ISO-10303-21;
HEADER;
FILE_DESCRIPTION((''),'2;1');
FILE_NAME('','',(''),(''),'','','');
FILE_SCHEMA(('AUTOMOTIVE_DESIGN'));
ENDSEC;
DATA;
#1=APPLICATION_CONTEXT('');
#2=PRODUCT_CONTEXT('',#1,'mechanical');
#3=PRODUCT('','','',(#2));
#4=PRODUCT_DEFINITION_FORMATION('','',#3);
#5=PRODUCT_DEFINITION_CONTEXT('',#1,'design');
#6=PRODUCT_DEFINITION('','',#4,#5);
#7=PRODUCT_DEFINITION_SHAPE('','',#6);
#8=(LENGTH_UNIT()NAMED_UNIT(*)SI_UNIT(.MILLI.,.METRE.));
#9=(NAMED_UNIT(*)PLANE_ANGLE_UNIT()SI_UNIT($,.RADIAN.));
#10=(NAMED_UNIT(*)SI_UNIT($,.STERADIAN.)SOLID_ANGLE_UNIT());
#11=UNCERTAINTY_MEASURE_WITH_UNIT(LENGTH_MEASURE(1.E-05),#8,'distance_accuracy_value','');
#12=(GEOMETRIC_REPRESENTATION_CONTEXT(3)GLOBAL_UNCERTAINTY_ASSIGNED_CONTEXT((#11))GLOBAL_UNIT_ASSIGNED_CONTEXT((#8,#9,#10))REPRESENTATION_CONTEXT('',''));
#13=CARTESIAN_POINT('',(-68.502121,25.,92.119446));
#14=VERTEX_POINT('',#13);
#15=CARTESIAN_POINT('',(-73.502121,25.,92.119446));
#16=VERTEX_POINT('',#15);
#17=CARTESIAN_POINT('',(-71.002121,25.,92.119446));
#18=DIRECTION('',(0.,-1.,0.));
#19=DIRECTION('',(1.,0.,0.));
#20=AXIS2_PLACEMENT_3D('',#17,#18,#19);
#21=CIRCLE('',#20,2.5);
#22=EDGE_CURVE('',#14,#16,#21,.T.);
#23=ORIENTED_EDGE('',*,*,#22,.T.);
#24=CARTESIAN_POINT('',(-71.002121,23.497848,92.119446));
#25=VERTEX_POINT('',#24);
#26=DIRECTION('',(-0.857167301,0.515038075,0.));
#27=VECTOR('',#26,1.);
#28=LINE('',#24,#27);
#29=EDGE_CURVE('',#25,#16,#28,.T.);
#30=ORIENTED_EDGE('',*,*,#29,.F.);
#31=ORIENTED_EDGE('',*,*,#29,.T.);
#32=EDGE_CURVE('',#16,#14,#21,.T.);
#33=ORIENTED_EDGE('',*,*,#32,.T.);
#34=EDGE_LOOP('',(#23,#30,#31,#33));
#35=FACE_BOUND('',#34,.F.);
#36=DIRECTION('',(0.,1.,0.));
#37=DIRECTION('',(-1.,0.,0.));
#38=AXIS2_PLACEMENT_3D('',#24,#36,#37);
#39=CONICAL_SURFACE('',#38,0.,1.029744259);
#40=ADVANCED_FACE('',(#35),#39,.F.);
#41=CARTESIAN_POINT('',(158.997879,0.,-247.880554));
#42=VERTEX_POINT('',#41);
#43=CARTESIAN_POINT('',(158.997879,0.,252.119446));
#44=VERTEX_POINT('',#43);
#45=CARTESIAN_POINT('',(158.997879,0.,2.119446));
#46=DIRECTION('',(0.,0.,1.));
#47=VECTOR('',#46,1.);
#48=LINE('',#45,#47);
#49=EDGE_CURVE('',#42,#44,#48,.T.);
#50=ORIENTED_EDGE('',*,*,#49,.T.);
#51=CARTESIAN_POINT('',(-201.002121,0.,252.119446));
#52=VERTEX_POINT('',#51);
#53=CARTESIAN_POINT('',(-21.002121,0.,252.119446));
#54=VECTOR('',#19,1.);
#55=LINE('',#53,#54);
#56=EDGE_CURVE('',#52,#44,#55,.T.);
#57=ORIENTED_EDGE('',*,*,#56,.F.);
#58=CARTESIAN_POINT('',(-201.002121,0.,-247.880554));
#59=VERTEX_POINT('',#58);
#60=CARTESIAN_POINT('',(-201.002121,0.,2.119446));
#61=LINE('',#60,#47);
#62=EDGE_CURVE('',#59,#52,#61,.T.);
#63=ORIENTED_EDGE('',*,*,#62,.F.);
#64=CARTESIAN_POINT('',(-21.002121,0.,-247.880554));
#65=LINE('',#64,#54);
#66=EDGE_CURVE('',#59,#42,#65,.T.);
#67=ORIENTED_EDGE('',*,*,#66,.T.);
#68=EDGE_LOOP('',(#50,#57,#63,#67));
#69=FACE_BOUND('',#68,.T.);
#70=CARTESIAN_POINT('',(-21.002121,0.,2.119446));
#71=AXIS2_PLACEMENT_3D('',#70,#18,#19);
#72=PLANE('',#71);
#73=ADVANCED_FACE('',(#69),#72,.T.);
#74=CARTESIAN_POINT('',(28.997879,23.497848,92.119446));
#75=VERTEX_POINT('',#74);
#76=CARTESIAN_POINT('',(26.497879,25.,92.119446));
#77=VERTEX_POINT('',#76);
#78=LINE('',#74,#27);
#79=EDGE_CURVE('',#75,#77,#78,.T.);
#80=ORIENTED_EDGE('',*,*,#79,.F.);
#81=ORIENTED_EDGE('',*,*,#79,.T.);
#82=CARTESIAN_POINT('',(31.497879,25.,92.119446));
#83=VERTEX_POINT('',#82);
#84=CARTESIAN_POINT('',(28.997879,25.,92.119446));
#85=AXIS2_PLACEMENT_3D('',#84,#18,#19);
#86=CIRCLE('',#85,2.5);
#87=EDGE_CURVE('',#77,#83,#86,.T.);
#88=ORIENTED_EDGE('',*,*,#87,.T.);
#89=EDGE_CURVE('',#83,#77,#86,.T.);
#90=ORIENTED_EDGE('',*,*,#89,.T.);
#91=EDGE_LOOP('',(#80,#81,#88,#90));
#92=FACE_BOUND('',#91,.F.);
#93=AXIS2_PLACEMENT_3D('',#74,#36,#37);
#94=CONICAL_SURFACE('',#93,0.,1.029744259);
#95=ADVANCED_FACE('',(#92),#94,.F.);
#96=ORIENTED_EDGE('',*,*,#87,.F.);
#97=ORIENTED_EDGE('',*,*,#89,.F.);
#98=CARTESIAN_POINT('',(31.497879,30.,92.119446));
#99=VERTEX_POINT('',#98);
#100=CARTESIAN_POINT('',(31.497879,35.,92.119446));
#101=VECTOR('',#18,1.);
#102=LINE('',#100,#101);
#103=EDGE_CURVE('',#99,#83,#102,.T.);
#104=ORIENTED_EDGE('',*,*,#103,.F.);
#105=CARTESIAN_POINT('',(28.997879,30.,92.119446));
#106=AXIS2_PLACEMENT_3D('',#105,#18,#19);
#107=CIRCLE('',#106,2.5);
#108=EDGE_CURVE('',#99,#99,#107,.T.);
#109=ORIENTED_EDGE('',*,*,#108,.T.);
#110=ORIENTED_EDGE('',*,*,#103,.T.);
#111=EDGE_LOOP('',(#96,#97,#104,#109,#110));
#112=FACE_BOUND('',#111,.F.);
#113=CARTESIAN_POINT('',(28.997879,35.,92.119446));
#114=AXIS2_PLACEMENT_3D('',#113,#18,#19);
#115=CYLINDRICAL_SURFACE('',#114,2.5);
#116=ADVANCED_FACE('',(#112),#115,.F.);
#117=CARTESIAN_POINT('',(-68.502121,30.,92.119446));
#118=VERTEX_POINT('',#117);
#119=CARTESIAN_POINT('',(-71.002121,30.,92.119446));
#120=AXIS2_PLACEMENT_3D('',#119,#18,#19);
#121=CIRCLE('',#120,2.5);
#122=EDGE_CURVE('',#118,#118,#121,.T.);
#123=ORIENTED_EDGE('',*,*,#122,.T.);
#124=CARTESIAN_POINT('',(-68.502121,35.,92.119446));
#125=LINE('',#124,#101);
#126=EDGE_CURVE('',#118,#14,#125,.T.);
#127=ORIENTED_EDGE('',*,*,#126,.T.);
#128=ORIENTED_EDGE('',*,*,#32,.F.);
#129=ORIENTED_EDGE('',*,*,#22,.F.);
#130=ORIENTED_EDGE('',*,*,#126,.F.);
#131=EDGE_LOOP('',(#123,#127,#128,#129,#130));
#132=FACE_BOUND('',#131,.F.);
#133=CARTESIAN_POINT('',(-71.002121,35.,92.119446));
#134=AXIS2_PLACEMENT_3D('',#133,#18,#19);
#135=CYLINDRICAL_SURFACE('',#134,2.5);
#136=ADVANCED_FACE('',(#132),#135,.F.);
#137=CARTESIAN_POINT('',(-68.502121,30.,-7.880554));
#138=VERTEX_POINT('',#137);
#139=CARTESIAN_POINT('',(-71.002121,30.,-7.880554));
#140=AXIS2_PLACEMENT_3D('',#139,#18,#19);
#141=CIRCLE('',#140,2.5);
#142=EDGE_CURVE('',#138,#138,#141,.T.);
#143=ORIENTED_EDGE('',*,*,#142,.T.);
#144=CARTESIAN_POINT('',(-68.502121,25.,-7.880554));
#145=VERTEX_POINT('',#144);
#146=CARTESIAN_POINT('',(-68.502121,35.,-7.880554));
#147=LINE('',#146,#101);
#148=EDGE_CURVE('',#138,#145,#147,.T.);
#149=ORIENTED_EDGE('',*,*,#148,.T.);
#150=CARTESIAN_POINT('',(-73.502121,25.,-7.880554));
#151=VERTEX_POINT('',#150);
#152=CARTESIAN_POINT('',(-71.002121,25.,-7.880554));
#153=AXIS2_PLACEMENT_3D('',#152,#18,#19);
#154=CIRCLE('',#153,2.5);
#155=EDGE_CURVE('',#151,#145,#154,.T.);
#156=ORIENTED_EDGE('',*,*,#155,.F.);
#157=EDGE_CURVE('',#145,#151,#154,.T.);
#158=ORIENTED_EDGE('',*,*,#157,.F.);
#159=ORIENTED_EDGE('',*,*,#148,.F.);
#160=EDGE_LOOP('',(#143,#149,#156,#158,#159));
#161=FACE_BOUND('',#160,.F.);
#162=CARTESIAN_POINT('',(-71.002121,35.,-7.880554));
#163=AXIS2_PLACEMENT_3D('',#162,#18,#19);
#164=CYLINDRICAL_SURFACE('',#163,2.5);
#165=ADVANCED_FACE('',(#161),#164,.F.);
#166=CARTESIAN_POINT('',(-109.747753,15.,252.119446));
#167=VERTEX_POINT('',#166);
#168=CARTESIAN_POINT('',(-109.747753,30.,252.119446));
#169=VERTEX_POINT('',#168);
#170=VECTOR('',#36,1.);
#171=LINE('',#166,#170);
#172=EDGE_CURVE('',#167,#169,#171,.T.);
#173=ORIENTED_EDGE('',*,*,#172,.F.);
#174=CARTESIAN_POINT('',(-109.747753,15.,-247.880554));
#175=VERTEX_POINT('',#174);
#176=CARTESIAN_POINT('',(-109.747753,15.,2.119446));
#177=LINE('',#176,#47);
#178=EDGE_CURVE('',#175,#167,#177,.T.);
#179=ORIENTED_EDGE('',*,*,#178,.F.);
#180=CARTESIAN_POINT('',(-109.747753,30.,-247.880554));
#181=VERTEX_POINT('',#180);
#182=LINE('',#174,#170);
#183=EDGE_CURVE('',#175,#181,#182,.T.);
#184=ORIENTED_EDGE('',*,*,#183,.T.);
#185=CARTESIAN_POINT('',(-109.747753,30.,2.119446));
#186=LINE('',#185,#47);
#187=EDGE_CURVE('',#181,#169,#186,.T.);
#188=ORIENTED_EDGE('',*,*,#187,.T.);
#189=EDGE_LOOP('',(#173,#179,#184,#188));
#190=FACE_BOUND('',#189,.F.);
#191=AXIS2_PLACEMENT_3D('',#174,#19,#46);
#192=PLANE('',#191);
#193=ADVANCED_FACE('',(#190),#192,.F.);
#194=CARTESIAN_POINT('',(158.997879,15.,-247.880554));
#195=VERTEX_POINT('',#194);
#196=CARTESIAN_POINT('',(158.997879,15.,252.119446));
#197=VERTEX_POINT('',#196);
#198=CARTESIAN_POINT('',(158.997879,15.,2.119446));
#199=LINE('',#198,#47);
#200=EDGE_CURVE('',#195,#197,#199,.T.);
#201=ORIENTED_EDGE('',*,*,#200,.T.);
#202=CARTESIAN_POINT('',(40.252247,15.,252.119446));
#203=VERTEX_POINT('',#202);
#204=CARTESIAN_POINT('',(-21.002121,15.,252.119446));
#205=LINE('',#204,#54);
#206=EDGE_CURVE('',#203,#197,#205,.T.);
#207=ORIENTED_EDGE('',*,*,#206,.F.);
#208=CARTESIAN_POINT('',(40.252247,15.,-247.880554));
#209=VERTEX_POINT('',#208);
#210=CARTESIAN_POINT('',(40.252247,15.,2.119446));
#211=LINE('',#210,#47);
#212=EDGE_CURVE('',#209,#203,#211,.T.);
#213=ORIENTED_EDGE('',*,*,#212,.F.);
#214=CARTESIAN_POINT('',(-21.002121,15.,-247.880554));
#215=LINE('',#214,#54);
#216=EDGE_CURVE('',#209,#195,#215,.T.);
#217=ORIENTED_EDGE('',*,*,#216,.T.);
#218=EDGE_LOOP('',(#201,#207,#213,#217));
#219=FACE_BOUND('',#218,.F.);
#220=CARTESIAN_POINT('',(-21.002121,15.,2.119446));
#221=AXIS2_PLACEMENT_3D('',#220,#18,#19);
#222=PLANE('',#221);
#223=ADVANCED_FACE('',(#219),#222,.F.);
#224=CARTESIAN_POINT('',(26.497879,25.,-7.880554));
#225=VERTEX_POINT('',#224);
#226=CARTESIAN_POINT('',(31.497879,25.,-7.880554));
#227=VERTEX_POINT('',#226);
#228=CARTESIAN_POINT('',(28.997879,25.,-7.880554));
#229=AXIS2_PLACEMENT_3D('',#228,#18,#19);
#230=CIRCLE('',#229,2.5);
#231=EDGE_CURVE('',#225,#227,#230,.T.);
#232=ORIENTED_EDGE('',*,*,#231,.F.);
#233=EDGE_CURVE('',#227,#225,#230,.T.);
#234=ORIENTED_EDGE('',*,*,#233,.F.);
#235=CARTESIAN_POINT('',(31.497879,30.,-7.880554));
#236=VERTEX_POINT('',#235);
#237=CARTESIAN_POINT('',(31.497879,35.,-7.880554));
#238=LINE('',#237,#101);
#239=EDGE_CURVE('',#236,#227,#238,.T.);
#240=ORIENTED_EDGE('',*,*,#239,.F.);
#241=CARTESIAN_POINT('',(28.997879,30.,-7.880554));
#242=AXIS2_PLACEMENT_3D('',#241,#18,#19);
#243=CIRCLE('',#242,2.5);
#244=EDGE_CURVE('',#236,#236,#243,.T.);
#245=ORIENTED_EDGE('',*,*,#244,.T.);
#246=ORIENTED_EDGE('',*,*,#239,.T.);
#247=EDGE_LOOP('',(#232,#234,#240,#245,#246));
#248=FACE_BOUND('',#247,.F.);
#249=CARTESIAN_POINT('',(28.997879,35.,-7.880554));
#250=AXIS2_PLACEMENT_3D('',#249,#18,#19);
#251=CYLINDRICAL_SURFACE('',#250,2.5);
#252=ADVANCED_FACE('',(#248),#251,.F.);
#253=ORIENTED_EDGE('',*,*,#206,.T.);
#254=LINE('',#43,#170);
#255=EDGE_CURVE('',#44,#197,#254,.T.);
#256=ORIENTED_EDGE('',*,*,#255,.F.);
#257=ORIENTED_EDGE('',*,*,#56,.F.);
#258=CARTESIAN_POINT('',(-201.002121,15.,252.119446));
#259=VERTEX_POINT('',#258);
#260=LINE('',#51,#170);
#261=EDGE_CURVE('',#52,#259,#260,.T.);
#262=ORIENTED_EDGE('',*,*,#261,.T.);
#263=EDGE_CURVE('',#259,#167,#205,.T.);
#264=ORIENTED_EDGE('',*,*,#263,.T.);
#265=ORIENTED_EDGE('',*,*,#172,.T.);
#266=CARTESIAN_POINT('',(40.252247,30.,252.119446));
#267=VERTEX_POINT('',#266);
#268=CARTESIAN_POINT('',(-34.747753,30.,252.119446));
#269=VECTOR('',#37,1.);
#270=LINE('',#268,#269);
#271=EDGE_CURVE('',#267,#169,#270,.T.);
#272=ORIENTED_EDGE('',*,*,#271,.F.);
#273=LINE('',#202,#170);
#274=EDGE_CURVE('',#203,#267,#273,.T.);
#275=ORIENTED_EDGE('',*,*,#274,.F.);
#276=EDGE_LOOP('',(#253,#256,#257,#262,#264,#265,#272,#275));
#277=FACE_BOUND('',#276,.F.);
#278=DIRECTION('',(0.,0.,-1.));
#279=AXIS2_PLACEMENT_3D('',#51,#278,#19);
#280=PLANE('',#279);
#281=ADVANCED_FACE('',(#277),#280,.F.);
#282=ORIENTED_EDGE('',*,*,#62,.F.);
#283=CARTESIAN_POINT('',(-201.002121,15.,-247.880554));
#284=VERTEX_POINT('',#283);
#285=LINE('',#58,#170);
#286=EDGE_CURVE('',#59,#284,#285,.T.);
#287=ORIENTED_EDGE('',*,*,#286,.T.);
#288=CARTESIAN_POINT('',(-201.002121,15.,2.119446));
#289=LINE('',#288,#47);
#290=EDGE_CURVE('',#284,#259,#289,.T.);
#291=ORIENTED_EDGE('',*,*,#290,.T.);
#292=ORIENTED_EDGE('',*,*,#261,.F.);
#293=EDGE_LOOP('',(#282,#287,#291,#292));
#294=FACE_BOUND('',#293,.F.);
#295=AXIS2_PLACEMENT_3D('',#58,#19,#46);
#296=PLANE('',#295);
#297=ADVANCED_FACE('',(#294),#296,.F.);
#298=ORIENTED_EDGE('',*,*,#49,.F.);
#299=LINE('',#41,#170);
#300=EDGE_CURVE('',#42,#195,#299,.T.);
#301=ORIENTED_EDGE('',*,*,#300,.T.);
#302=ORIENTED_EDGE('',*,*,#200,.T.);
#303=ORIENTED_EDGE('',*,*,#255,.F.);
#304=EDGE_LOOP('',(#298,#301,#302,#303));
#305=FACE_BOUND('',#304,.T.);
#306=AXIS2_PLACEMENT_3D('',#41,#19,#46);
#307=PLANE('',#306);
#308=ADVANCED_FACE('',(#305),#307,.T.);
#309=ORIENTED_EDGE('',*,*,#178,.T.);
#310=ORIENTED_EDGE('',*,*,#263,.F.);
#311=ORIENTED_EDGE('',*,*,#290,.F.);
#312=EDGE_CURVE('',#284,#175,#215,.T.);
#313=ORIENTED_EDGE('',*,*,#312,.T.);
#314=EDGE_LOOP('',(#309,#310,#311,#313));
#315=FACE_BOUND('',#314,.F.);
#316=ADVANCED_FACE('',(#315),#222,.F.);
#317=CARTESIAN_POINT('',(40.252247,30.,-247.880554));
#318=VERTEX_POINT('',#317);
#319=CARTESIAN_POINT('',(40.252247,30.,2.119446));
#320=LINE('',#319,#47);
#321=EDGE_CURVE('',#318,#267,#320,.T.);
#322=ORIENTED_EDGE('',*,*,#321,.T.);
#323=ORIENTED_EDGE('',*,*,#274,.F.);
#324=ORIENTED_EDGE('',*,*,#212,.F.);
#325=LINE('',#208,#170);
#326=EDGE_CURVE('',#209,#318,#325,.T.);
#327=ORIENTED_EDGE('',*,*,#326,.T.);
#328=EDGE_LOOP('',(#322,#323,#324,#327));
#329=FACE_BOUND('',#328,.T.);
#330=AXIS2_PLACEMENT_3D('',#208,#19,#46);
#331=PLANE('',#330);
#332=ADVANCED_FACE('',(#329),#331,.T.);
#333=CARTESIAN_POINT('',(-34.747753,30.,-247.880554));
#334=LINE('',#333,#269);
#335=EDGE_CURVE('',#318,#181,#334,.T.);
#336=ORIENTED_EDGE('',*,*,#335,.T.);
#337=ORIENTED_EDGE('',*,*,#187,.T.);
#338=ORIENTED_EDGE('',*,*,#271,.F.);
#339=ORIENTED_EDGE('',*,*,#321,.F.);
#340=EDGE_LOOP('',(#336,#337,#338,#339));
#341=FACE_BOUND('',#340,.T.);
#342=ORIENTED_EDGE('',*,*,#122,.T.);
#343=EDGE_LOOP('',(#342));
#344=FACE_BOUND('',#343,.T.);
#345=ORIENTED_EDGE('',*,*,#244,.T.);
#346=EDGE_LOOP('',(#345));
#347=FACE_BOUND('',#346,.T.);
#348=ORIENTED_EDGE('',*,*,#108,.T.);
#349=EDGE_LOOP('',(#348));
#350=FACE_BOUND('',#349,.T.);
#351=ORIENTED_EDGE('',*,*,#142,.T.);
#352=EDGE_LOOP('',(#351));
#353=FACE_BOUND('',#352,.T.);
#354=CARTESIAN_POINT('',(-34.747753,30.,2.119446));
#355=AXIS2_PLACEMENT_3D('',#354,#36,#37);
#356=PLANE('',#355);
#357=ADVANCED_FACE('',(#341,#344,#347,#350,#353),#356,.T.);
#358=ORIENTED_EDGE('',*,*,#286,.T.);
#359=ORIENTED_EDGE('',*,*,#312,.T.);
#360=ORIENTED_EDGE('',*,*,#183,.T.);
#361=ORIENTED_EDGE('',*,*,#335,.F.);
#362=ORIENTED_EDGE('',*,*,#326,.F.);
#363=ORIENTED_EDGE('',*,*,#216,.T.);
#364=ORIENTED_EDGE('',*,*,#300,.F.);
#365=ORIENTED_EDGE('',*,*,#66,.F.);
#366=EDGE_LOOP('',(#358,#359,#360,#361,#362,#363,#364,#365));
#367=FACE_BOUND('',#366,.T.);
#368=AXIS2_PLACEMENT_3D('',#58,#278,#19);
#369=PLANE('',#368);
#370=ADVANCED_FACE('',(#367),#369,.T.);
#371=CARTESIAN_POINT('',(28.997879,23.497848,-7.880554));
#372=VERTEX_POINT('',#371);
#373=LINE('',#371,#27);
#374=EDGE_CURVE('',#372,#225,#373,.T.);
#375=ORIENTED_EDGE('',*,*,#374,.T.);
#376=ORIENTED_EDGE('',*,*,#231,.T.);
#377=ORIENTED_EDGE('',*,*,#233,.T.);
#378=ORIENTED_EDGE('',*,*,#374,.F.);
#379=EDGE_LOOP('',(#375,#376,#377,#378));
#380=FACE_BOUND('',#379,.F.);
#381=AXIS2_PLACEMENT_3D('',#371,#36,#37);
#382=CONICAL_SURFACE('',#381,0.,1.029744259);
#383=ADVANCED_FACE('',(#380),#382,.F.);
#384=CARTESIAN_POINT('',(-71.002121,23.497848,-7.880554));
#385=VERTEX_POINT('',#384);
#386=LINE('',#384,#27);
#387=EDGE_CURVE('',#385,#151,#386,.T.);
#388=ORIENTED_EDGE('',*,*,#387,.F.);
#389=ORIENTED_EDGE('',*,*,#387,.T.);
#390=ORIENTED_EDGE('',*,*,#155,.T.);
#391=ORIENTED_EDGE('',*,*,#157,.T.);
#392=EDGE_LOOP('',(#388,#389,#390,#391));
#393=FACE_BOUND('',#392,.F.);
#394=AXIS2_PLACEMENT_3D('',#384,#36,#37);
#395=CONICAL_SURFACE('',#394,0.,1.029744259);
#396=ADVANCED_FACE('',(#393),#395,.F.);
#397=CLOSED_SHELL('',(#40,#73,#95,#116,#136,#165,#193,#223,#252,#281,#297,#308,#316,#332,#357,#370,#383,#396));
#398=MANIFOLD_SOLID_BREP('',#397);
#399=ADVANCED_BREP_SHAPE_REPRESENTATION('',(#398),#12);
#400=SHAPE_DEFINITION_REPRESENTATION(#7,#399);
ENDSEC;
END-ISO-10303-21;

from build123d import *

# Parameters (mm, degrees)
F0_W     = 360
F0_H     = 500
F1_DEPTH = 15
F2_W     = 150
F2_H     = 500
F3_DEPTH = 15
F5_D     = 5
F5_DEPTH = 5
F5_TIP   = 1.5021515476


with BuildPart() as f1:
    # F0 (on Front) → F1 (new body)
    with BuildSketch(Plane.XZ):
        with Locations((-21.0021212956, 2.1194461733)):
            Rectangle(F0_W, F0_H)
    extrude(amount=-F1_DEPTH)

    # F2 (on face) → F3 (join)
    with BuildSketch(Plane(origin=(0, 15, 0), x_dir=(-1, 0, 0), z_dir=(0, 1, 0))):
        with Locations((34.7477533389, 2.1194461733)):
            Rectangle(F2_W, F2_H)
    extrude(amount=F3_DEPTH)

    # F5
    with Locations(Plane(origin=(0, 30, 0), x_dir=(-1, 0, 0), z_dir=(0, 1, 0))):
        with Locations((-28.9978787044, 92.1194461733), (71.0021212956, 92.1194461733), (71.0021212956, -7.8805538267), (-28.9978787044, -7.8805538267)):
            Hole(F5_D / 2, depth=F5_DEPTH)
            with Locations((0, 0, -(F5_DEPTH + F5_TIP / 2))):  # 118° drill point
                Cone(0, F5_D / 2, F5_TIP, mode=Mode.SUBTRACT)


solid = f1.part
